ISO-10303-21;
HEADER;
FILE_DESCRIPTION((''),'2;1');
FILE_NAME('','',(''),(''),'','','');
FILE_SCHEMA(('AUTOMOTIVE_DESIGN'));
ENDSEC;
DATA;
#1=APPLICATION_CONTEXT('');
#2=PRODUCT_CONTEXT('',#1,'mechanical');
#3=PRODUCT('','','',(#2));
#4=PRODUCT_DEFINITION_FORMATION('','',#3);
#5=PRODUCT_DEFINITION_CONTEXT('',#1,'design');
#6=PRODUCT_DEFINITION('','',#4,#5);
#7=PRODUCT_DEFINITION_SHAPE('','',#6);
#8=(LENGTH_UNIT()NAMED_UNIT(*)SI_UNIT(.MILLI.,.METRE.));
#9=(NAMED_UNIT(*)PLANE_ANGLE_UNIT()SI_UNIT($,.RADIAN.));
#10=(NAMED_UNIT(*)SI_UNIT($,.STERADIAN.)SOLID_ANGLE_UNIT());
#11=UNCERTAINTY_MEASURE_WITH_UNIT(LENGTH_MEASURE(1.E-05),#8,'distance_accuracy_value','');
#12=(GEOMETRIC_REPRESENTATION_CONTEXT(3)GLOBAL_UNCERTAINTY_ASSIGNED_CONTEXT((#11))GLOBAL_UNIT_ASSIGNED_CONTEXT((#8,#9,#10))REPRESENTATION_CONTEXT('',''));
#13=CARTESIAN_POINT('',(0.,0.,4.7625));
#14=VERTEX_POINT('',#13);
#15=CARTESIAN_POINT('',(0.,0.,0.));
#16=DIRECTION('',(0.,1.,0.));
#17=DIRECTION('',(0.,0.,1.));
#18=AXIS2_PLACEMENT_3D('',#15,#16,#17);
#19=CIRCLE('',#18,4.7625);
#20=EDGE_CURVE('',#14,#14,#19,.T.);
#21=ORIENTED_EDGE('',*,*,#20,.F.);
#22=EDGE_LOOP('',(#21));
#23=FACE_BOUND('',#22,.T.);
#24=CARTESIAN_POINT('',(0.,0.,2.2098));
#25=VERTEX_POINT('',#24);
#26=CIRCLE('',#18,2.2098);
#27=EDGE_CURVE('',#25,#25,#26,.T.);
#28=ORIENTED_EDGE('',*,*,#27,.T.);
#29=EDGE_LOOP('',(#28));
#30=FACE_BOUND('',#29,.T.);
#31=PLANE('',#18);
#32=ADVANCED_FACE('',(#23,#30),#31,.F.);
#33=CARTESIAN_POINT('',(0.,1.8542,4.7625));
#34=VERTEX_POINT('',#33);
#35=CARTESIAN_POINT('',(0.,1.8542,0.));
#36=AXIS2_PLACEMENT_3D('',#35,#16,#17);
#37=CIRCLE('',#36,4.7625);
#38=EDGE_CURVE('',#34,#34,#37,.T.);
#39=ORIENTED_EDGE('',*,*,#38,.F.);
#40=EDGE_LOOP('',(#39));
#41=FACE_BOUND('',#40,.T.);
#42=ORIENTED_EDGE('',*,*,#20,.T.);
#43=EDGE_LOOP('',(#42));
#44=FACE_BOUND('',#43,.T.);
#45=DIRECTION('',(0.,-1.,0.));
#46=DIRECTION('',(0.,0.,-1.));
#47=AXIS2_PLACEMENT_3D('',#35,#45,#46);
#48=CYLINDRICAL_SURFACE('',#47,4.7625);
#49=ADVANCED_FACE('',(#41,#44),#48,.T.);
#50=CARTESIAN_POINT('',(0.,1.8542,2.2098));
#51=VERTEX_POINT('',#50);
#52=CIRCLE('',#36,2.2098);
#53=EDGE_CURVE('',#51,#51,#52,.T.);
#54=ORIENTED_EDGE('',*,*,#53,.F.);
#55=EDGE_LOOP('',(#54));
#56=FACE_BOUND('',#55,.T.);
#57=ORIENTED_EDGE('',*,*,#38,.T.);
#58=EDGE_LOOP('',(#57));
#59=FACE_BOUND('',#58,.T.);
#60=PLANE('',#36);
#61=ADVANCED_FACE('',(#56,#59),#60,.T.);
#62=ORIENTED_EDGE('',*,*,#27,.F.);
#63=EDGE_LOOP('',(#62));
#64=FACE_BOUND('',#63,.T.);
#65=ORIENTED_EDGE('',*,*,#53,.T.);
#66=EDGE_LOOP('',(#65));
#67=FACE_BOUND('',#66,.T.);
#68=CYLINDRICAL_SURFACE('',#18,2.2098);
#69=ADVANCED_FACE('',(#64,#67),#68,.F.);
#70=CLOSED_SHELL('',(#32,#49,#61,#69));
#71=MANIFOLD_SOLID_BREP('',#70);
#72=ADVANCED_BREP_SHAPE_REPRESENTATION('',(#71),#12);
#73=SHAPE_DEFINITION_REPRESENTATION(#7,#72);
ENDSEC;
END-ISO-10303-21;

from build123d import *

# Parameters (mm, degrees)
SKETCH1_R           = 4.7625
BOSS_EXTRUDE1_DEPTH = 1.8542
SKETCH5_R           = 2.2098
CUT_EXTRUDE1_DEPTH  = 2.8542


with BuildPart() as part:
    # Sketch1 → Boss-Extrude1 (new body)
    with BuildSketch(Plane(origin=(0, 0, 0), x_dir=(1, 0, 0), z_dir=(0, 1, 0))):
        Circle(SKETCH1_R)
    extrude(amount=BOSS_EXTRUDE1_DEPTH)

    # Sketch5 → Cut-Extrude1 (cut, through all)
    with BuildSketch(Plane(origin=(0, 1.8542, 0), x_dir=(-1, 0, 0), z_dir=(0, 1, 0))):
        Circle(SKETCH5_R)
    extrude(amount=-CUT_EXTRUDE1_DEPTH, mode=Mode.SUBTRACT)


solid = part.part
